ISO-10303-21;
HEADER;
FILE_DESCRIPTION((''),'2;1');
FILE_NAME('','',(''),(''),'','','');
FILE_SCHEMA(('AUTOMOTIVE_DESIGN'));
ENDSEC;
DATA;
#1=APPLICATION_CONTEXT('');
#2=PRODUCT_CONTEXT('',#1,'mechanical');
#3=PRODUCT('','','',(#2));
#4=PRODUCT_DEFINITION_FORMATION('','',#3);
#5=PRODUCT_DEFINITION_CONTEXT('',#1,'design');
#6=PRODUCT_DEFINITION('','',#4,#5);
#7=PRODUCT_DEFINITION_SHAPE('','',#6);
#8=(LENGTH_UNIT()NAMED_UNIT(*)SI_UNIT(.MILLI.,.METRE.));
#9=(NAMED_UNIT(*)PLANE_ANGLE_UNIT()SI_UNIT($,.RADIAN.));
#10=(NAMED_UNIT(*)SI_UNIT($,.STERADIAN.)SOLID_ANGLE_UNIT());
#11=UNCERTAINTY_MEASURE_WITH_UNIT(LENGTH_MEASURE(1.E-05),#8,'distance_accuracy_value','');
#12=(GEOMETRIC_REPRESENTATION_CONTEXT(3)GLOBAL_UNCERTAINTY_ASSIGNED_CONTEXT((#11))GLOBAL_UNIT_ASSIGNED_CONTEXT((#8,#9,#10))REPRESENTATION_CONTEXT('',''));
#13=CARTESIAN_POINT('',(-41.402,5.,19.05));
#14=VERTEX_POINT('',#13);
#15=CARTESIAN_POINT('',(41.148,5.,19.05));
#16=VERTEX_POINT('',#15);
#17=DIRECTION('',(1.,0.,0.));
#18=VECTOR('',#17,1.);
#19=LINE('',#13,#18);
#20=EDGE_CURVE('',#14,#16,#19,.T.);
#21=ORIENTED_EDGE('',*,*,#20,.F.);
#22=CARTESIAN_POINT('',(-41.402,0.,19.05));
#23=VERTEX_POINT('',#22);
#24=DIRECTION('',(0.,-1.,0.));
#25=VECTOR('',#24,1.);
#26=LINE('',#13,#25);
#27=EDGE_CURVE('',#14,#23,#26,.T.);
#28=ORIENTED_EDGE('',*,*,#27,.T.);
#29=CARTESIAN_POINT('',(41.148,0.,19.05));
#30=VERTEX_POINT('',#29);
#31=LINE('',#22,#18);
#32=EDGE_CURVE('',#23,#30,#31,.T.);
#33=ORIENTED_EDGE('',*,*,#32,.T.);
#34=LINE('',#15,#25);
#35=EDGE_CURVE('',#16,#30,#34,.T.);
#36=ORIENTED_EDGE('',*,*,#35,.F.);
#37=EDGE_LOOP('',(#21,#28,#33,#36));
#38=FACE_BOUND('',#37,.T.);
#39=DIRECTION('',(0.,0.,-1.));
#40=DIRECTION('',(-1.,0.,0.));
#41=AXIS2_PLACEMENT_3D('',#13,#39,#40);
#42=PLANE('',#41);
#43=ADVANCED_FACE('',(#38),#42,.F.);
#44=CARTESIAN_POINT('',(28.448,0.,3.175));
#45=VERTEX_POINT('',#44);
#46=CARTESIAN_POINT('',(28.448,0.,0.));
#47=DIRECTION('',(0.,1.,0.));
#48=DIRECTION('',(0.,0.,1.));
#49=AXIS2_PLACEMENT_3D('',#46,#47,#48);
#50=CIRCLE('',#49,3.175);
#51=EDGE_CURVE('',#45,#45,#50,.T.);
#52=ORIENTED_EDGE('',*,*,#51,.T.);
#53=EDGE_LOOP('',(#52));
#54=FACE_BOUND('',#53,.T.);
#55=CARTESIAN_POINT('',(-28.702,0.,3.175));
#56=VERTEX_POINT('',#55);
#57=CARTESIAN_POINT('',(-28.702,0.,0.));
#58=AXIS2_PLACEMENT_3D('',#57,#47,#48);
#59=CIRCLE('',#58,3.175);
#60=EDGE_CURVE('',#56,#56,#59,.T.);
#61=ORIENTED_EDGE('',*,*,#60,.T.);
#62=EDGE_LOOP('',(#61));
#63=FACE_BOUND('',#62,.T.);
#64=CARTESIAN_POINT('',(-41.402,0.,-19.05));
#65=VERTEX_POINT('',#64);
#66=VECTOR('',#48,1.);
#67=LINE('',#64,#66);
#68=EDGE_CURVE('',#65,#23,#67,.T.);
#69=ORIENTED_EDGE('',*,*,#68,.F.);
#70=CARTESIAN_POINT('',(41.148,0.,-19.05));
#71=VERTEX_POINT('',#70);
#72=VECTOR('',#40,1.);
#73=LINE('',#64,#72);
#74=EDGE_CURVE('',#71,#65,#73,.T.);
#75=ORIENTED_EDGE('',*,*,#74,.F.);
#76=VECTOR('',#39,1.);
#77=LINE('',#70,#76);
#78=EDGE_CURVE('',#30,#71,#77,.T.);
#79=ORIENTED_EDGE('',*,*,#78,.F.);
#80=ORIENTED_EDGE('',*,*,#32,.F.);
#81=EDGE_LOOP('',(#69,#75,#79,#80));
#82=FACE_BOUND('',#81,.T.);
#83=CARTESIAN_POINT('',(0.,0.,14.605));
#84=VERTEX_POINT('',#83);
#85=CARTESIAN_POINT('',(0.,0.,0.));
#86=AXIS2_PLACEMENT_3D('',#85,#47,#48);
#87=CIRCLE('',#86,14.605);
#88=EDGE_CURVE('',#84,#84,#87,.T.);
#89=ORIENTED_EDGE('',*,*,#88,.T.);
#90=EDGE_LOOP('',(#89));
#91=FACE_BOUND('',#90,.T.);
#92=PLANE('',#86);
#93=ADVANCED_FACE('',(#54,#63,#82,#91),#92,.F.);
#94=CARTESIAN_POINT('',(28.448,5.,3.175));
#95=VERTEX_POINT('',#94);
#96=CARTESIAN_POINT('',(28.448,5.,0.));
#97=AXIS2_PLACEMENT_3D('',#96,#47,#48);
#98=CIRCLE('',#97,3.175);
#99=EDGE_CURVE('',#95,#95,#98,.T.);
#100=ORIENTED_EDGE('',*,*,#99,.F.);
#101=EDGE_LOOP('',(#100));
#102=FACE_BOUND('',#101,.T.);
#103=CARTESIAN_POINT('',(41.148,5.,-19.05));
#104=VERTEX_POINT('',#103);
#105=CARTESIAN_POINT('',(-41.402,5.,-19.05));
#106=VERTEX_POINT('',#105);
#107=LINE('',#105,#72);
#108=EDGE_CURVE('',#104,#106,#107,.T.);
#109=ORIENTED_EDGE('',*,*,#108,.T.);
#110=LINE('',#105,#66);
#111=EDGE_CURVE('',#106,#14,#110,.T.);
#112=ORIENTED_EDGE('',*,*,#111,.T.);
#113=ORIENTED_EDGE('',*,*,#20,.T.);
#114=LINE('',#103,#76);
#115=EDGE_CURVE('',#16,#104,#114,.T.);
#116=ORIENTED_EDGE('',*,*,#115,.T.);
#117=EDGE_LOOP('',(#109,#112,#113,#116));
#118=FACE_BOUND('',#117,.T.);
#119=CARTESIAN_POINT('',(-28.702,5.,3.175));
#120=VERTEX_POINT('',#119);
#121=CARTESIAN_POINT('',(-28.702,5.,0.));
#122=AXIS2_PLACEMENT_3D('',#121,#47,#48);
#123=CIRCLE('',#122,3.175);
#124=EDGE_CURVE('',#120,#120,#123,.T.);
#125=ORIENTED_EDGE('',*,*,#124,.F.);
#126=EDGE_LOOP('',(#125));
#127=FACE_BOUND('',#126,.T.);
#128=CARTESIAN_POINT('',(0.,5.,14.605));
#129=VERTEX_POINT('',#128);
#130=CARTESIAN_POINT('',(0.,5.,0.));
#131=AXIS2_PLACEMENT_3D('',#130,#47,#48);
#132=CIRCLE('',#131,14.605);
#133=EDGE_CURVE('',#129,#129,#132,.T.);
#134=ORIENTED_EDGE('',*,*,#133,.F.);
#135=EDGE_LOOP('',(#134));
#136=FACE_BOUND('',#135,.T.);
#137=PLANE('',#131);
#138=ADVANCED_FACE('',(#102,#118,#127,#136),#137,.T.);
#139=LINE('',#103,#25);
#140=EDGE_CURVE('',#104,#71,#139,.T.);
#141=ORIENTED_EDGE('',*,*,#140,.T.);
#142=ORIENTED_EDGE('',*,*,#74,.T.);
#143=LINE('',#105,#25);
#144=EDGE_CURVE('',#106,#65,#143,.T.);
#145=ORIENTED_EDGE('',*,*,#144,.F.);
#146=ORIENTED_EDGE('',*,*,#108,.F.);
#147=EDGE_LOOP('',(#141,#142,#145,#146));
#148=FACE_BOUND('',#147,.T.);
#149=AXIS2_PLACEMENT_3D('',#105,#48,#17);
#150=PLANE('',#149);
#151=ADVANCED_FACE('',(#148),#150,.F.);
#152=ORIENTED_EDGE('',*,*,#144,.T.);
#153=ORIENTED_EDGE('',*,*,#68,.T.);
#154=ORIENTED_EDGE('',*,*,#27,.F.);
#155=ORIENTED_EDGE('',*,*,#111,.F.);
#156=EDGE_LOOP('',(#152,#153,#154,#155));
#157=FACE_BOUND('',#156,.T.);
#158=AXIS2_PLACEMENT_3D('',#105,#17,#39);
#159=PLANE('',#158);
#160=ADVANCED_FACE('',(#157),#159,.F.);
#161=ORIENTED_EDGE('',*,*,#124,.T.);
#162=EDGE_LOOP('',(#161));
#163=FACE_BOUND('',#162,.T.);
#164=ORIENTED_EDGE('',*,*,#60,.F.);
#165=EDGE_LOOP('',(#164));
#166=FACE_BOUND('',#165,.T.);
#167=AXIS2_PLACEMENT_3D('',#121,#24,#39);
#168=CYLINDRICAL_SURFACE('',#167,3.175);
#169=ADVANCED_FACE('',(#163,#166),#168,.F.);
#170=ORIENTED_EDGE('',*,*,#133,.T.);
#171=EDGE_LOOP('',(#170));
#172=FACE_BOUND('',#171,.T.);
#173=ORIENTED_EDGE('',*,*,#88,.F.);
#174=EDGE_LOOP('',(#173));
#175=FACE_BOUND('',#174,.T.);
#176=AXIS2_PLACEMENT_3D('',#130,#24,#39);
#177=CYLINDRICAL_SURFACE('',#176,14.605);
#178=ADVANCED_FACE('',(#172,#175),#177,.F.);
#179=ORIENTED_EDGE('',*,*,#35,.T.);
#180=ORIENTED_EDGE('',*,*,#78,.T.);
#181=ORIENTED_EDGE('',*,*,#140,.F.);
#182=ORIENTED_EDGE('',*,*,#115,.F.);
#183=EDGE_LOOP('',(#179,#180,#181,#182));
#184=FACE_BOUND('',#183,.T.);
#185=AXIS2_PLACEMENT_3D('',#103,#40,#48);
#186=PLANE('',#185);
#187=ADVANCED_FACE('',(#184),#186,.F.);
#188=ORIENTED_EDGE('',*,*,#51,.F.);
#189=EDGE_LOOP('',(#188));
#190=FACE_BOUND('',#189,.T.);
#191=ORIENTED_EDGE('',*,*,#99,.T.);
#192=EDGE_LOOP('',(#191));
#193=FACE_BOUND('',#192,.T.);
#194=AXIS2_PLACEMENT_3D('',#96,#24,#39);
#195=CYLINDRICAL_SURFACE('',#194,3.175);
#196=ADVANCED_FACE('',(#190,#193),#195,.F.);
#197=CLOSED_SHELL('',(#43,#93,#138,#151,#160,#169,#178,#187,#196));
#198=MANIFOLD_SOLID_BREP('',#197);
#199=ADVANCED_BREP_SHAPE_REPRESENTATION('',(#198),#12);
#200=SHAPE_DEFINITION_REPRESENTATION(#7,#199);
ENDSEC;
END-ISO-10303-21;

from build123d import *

# Parameters (mm, degrees)
SKETCH1_W           = 82.55
SKETCH1_H           = 38.1
SKETCH1_R           = 14.605
SKETCH1_R_2         = 3.175
BOSS_EXTRUDE1_DEPTH = 5


with BuildPart() as part:
    # Sketch1 → Boss-Extrude1 (new body)
    with BuildSketch(Plane(origin=(0, 0, 0), x_dir=(1, 0, 0), z_dir=(0, 1, 0))):
        with Locations((-0.127, 0)):
            Rectangle(SKETCH1_W, SKETCH1_H)
        with Locations(Location((0, 0, 0), (0, 0, 270))):
            Circle(SKETCH1_R, mode=Mode.SUBTRACT)
        with Locations(Location((28.448, 0, 0), (0, 0, 270))):
            Circle(SKETCH1_R_2, mode=Mode.SUBTRACT)
        with Locations(Location((-28.702, 0, 0), (0, 0, 270))):
            Circle(SKETCH1_R_2, mode=Mode.SUBTRACT)
    extrude(amount=BOSS_EXTRUDE1_DEPTH)


solid = part.part
